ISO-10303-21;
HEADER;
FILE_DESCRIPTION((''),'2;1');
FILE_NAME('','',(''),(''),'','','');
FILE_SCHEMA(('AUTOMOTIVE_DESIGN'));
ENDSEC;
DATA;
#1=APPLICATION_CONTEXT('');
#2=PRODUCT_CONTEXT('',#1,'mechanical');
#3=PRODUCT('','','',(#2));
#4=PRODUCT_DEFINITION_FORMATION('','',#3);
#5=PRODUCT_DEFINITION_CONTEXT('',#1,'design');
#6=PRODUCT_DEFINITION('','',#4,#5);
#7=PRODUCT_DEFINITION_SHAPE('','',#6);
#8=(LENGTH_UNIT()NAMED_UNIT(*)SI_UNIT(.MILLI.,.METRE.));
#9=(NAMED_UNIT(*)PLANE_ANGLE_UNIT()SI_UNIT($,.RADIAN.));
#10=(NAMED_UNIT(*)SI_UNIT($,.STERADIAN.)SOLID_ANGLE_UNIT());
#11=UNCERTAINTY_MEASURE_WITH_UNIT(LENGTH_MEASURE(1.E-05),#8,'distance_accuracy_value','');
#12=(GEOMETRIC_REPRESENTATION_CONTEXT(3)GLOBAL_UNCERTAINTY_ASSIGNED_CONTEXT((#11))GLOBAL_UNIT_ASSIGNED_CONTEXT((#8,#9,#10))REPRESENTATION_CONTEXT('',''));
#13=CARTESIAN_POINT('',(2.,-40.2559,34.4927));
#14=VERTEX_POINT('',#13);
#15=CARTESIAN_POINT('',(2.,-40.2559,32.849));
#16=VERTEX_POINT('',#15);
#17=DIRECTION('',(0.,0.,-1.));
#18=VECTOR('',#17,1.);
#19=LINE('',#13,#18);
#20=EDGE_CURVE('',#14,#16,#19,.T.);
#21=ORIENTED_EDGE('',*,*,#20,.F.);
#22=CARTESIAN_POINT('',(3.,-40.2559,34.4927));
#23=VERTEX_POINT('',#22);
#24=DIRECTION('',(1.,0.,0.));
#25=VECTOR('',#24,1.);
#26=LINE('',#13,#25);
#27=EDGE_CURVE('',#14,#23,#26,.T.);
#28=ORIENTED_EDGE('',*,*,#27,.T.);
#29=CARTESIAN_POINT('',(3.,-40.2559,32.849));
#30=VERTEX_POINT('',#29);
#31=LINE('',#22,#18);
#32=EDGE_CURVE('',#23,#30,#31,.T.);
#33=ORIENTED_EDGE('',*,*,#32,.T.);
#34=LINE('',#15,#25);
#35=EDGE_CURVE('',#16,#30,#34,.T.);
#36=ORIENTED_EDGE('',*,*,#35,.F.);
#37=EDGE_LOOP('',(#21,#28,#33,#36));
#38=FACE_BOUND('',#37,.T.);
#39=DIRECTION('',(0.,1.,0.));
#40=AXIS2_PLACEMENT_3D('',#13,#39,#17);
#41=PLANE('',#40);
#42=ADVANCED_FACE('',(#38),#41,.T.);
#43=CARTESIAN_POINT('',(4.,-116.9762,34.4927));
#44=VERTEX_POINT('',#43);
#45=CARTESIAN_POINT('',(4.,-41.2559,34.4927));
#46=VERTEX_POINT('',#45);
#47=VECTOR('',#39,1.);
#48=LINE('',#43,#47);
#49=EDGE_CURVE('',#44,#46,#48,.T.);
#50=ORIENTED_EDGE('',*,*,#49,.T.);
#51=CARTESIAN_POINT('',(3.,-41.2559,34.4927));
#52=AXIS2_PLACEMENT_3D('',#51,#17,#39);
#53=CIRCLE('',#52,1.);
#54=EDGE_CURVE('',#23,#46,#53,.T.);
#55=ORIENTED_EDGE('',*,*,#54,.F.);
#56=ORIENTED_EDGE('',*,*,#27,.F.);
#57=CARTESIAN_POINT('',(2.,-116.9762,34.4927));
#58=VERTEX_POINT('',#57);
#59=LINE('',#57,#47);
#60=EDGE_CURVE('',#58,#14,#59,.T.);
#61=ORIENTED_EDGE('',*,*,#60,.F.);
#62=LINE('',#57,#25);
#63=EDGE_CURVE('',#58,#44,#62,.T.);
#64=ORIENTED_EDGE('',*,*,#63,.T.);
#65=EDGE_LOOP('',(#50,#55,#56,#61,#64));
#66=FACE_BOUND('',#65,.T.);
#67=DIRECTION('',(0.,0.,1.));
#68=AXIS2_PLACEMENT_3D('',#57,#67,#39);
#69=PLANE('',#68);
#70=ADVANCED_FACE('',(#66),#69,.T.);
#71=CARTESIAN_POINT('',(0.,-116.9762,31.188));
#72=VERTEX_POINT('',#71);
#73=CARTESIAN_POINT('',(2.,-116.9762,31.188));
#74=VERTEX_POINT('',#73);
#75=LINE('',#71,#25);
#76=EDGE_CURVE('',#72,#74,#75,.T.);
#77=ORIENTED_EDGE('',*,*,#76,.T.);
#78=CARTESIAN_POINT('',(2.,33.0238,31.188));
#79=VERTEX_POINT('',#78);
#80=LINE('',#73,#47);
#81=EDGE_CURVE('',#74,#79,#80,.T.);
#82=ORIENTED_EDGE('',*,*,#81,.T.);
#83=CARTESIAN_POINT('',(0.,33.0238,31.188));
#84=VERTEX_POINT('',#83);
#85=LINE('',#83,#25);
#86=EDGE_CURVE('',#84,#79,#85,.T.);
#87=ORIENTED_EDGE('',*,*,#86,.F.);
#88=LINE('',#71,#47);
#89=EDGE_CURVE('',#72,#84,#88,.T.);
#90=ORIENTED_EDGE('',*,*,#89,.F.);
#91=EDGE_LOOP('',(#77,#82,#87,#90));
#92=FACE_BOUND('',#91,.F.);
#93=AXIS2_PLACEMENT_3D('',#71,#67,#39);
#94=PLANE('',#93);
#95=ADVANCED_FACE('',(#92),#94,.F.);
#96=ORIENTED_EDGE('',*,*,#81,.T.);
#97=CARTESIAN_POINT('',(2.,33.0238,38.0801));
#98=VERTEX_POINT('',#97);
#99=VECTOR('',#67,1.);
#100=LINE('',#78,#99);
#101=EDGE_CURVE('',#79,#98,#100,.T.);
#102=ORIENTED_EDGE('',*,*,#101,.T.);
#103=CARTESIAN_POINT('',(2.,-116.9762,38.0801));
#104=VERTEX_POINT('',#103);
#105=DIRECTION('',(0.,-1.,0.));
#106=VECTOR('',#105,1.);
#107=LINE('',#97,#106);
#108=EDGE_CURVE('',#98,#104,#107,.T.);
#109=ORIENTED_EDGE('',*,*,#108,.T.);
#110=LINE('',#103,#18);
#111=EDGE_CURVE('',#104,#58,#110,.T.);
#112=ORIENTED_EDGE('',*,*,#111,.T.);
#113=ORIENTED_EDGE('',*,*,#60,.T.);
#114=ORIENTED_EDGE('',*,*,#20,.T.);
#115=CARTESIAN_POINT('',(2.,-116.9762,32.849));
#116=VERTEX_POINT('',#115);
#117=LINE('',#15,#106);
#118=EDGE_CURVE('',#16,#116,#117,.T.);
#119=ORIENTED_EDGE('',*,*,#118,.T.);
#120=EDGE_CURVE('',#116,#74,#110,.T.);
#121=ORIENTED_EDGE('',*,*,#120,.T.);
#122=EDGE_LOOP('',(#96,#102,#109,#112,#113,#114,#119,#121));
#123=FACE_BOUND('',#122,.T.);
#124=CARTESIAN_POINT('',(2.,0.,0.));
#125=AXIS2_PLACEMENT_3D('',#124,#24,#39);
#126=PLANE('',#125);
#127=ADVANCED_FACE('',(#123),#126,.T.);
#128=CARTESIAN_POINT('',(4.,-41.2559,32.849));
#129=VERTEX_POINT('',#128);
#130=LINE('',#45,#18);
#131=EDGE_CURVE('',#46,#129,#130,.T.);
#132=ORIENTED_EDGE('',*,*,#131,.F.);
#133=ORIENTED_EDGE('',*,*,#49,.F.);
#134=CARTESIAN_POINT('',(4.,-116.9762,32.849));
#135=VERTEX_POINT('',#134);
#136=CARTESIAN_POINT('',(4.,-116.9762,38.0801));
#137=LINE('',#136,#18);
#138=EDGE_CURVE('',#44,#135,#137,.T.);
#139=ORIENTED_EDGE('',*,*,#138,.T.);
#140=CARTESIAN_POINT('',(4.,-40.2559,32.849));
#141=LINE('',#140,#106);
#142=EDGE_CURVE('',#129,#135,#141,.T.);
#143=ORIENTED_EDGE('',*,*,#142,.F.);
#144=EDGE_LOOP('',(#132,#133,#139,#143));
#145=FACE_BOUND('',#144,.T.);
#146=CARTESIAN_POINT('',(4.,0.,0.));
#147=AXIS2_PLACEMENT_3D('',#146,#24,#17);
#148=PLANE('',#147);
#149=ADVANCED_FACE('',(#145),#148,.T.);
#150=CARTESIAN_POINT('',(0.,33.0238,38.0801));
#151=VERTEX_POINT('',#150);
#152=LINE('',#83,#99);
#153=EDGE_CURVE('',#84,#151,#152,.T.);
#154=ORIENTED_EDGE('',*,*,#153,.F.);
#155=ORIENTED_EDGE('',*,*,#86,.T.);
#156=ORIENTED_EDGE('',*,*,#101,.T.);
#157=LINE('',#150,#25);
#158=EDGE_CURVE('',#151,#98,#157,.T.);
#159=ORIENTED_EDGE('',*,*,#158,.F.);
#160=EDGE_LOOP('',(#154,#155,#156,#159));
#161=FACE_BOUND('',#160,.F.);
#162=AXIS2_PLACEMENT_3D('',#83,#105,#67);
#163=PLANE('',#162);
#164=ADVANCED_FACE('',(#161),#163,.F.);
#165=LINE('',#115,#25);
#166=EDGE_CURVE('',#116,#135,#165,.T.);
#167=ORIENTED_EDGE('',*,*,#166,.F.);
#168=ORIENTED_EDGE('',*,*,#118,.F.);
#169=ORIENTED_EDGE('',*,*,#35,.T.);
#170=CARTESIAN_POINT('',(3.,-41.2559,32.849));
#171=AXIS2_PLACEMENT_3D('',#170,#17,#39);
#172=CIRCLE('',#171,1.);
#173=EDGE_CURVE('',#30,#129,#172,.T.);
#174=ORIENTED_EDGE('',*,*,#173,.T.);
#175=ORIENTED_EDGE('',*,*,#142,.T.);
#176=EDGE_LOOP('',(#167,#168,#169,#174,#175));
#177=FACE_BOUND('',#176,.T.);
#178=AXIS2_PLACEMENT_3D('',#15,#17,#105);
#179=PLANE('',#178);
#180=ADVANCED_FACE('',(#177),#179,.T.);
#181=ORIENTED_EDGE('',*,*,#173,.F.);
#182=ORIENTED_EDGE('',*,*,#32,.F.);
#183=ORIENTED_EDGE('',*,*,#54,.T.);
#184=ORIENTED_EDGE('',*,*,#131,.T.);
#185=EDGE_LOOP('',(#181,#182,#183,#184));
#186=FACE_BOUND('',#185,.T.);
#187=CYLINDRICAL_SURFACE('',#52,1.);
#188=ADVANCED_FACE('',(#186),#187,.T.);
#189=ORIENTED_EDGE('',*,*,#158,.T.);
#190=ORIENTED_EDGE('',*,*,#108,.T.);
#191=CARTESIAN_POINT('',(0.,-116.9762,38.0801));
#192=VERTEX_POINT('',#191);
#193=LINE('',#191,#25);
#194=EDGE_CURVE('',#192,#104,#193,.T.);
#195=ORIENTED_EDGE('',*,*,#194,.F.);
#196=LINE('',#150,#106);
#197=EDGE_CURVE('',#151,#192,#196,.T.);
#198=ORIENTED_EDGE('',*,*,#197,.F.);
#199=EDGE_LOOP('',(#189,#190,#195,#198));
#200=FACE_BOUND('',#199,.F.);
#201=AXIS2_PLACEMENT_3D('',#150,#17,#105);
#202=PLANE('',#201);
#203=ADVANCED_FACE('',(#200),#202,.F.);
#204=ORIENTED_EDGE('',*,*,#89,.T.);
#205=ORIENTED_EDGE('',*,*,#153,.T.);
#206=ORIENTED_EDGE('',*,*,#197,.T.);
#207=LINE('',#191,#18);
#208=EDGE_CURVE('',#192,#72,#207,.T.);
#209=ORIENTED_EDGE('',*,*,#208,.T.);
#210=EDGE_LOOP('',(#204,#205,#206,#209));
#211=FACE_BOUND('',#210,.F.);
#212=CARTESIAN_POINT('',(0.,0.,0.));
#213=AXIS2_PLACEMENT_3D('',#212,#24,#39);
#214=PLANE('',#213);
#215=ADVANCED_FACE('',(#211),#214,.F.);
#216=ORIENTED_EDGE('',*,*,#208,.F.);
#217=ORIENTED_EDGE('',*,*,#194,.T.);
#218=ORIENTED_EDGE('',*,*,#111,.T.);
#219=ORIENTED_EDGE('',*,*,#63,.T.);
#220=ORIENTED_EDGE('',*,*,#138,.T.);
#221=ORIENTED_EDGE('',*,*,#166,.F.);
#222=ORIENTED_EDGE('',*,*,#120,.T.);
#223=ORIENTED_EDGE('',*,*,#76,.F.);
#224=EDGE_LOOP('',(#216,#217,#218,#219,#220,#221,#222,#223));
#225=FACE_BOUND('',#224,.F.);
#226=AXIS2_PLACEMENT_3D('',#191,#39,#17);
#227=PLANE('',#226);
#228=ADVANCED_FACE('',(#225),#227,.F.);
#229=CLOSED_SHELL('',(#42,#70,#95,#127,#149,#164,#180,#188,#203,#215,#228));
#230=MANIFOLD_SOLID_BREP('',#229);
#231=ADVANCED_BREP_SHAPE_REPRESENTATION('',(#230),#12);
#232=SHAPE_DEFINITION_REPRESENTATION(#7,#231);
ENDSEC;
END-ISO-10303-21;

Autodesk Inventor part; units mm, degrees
ref_plane "YZ Plane" through (0, 0, 0) normal (1, 0, 0) x (0, 1, 0)
ref_plane "XZ Plane" through (0, 0, 0) normal (0, 1, 0) x (-1, 0, 0)
ref_plane "XY Plane" through (0, 0, 0) normal (0, 0, 1) x (1, 0, 0)
sketch "Sketch1" plane through (0, 0, 0) normal (1, 0, 0) x (0, 1, 0)
  line L0 (33.0238, 38.0801) -> (-116.9762, 38.0801)
  line L1 (-116.9762, 38.0801) -> (-116.9762, 31.188)
  line L2 (-116.9762, 31.188) -> (33.0238, 31.188)
  line L3 (33.0238, 31.188) -> (33.0238, 38.0801)
  point P0 (0, 0)
  dimension "d0" = 150
extrude "Extrusion1" add sketch "Sketch1" along normal blind 2
sketch "Sketch2" plane through (2, 0, 0) normal (1, 0, 0) x (0, 0, -1)
  line L0 (-38.0801, -116.9762) -> (-31.188, -116.9762) projected
  line L1 (-34.4927, -40.2559) -> (-32.849, -40.2559)
  line L2 (-32.849, -40.2559) -> (-32.849, -116.9762)
  line L3 (-32.849, -116.9762) -> (-34.4927, -116.9762)
  line L4 (-34.4927, -116.9762) -> (-34.4927, -40.2559)
  point P0 (0, 0)
extrude "Extrusion2" add sketch "Sketch2" along normal blind 2
fillet "Fillet1" radius 1 1 edges at (4, -40.2559, 33.6708)
properties part number "lock4"
